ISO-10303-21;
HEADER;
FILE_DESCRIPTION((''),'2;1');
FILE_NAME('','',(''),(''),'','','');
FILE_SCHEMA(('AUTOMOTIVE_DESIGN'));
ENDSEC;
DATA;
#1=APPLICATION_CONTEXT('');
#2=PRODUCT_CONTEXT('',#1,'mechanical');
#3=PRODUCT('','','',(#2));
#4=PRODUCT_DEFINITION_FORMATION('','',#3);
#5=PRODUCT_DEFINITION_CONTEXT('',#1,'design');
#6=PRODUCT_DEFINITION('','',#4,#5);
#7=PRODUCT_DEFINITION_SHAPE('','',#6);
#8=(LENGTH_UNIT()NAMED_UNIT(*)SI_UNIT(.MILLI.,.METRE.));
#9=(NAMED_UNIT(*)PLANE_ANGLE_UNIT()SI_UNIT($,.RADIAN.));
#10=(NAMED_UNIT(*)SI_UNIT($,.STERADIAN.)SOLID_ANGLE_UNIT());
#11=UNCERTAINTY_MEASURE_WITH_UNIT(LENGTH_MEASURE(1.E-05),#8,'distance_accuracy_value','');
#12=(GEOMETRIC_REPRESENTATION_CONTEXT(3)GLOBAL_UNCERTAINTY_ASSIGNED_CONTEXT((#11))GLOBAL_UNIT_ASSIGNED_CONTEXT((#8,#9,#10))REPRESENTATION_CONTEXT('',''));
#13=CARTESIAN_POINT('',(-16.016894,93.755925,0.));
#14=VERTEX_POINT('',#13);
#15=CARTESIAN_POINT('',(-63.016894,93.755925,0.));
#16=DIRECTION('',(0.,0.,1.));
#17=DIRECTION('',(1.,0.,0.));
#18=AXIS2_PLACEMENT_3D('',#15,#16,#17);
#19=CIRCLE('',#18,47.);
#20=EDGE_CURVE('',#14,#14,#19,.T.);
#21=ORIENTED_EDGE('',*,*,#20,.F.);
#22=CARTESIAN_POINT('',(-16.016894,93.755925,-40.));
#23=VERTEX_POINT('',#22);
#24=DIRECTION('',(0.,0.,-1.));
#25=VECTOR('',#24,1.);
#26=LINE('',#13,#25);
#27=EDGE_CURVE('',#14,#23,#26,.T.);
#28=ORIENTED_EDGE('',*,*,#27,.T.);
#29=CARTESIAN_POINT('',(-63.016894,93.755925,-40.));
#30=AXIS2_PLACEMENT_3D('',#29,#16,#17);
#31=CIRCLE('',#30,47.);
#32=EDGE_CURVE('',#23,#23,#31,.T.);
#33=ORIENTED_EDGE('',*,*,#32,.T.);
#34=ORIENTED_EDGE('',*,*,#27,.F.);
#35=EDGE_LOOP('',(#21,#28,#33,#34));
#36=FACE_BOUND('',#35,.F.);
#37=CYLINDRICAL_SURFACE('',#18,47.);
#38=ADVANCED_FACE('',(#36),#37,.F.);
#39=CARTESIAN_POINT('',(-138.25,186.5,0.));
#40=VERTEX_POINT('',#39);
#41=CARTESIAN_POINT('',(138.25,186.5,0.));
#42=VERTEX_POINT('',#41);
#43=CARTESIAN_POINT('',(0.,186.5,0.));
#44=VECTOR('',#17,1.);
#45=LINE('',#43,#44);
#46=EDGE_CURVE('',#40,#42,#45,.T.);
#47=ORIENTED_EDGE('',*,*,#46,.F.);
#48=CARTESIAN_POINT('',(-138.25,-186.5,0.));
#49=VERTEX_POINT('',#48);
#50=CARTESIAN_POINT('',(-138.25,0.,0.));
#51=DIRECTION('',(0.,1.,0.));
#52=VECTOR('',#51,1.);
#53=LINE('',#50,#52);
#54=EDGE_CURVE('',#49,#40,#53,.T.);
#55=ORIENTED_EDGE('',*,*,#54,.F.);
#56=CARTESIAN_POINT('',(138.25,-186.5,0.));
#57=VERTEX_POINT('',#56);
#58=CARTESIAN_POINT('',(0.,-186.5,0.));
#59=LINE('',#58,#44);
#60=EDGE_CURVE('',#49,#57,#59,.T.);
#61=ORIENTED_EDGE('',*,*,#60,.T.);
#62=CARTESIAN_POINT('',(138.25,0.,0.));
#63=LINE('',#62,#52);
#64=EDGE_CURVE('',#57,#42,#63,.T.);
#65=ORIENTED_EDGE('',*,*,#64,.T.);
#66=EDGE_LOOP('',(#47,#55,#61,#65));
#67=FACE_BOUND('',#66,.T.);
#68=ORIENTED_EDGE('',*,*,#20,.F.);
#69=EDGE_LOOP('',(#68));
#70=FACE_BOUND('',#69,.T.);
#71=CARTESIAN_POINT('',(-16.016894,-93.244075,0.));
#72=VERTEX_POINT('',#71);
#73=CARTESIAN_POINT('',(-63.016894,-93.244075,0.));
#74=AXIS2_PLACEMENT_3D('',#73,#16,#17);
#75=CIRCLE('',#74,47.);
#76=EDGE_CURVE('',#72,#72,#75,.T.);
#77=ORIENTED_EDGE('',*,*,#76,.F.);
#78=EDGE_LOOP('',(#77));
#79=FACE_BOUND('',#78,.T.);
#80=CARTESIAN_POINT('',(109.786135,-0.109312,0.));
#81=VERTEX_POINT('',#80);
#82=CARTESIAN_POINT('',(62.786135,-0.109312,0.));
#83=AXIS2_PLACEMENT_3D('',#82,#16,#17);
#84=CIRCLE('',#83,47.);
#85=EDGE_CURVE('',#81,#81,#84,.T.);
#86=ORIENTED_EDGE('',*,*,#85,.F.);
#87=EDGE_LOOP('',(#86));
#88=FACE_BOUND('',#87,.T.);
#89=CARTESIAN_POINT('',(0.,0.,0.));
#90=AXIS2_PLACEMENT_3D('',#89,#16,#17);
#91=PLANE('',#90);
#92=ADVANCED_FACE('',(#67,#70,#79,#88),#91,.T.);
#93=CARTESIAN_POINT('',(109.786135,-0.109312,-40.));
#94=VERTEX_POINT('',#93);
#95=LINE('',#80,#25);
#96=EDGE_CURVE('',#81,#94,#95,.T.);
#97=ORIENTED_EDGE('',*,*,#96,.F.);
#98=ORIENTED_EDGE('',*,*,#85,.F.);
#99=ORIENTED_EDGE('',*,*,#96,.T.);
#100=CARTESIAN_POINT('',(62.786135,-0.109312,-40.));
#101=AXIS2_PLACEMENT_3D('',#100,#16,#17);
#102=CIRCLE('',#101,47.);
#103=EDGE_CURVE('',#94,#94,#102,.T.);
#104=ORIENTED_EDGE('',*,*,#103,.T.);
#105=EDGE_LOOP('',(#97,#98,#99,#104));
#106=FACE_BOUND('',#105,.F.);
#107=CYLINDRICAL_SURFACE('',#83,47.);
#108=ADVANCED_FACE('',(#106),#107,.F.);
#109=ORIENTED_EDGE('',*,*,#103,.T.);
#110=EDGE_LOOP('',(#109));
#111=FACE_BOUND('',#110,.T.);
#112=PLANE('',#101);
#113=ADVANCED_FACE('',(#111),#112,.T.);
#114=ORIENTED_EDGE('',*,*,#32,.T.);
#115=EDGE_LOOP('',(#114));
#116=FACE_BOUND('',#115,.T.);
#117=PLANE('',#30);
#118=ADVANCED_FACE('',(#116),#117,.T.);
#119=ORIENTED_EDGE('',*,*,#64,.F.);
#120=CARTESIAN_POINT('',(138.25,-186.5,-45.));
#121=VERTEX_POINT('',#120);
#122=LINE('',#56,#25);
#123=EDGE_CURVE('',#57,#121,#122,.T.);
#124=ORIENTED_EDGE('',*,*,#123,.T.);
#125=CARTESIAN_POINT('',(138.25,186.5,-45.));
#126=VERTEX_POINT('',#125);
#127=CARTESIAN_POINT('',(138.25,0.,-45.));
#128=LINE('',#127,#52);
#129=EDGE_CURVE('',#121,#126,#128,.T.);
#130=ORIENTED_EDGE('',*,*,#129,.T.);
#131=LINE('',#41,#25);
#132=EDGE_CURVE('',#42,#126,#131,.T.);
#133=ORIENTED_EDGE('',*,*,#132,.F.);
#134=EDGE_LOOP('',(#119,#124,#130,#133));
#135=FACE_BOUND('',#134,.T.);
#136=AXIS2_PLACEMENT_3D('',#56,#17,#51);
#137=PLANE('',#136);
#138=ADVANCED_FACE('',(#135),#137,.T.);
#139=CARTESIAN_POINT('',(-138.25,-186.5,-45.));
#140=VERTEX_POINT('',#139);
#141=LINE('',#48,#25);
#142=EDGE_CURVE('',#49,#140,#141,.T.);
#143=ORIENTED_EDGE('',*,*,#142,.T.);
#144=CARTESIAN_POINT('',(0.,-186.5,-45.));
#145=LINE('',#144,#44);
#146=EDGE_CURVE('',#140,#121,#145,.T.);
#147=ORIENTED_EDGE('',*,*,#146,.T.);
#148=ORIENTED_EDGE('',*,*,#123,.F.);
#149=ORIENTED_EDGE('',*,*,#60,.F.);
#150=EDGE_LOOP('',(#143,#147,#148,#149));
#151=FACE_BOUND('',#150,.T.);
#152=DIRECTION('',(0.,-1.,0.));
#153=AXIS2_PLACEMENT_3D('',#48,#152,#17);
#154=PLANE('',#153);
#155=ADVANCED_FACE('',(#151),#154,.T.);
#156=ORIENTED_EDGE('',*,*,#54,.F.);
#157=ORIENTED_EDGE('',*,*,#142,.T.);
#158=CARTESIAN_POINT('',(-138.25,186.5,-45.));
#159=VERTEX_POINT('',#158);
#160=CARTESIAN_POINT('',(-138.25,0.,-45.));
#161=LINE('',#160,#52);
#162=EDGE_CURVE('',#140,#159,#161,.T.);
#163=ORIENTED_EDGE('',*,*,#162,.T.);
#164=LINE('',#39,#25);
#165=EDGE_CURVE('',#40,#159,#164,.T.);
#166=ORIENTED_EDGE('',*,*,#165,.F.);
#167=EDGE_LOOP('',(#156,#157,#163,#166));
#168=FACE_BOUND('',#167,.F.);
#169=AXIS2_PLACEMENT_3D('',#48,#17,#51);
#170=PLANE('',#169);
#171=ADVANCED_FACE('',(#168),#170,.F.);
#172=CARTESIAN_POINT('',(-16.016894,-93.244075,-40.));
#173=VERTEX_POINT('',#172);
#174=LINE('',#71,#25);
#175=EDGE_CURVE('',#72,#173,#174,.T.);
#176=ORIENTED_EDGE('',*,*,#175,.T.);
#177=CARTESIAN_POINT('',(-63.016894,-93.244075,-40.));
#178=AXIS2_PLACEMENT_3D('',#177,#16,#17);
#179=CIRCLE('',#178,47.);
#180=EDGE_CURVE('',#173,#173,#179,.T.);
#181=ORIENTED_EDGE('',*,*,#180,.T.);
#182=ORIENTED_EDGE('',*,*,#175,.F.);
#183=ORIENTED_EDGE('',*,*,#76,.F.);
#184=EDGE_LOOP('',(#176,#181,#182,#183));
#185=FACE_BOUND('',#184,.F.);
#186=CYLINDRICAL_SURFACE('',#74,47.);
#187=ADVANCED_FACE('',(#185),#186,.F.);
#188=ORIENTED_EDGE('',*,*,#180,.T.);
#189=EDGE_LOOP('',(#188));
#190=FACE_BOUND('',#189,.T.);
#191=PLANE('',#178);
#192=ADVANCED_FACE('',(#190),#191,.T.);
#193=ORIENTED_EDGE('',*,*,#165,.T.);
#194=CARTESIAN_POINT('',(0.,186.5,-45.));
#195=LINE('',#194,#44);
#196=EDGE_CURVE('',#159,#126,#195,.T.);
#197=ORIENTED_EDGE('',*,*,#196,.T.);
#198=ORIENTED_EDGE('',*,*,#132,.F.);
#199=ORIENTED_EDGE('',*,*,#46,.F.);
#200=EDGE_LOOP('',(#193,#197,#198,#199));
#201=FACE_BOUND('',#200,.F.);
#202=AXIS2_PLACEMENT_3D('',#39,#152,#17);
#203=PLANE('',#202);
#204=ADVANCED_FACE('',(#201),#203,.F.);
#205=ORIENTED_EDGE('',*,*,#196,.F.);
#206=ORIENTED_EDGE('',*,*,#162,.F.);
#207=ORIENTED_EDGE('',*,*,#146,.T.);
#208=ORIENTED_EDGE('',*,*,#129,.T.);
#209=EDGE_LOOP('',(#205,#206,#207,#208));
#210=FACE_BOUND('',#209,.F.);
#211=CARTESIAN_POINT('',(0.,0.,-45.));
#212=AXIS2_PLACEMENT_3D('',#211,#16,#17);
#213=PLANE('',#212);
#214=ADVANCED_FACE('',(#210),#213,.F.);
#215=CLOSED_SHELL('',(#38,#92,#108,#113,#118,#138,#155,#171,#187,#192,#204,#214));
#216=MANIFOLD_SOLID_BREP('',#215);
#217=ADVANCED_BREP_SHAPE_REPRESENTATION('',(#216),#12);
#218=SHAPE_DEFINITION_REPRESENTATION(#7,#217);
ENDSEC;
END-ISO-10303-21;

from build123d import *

# Parameters (mm, degrees)
F0_W     = 276.5
F0_H     = 373
F2_DEPTH = 45
F1_R     = 47
F3_DEPTH = 40


with BuildPart() as f2:
    # F0 (on Top) → F2 (new body)
    with BuildSketch(Plane.XY):
        Rectangle(F0_W, F0_H)
    extrude(amount=-F2_DEPTH)

    # F1 (on face) → F3 (cut)
    with BuildSketch(Plane.XY):
        with Locations((-63.016894, 93.755925)):
            Circle(F1_R)
        with Locations((62.786135, -0.109312)):
            Circle(F1_R)
        with Locations((-63.016894, -93.244075)):
            Circle(F1_R)
    extrude(amount=-F3_DEPTH, mode=Mode.SUBTRACT)


solid = f2.part
